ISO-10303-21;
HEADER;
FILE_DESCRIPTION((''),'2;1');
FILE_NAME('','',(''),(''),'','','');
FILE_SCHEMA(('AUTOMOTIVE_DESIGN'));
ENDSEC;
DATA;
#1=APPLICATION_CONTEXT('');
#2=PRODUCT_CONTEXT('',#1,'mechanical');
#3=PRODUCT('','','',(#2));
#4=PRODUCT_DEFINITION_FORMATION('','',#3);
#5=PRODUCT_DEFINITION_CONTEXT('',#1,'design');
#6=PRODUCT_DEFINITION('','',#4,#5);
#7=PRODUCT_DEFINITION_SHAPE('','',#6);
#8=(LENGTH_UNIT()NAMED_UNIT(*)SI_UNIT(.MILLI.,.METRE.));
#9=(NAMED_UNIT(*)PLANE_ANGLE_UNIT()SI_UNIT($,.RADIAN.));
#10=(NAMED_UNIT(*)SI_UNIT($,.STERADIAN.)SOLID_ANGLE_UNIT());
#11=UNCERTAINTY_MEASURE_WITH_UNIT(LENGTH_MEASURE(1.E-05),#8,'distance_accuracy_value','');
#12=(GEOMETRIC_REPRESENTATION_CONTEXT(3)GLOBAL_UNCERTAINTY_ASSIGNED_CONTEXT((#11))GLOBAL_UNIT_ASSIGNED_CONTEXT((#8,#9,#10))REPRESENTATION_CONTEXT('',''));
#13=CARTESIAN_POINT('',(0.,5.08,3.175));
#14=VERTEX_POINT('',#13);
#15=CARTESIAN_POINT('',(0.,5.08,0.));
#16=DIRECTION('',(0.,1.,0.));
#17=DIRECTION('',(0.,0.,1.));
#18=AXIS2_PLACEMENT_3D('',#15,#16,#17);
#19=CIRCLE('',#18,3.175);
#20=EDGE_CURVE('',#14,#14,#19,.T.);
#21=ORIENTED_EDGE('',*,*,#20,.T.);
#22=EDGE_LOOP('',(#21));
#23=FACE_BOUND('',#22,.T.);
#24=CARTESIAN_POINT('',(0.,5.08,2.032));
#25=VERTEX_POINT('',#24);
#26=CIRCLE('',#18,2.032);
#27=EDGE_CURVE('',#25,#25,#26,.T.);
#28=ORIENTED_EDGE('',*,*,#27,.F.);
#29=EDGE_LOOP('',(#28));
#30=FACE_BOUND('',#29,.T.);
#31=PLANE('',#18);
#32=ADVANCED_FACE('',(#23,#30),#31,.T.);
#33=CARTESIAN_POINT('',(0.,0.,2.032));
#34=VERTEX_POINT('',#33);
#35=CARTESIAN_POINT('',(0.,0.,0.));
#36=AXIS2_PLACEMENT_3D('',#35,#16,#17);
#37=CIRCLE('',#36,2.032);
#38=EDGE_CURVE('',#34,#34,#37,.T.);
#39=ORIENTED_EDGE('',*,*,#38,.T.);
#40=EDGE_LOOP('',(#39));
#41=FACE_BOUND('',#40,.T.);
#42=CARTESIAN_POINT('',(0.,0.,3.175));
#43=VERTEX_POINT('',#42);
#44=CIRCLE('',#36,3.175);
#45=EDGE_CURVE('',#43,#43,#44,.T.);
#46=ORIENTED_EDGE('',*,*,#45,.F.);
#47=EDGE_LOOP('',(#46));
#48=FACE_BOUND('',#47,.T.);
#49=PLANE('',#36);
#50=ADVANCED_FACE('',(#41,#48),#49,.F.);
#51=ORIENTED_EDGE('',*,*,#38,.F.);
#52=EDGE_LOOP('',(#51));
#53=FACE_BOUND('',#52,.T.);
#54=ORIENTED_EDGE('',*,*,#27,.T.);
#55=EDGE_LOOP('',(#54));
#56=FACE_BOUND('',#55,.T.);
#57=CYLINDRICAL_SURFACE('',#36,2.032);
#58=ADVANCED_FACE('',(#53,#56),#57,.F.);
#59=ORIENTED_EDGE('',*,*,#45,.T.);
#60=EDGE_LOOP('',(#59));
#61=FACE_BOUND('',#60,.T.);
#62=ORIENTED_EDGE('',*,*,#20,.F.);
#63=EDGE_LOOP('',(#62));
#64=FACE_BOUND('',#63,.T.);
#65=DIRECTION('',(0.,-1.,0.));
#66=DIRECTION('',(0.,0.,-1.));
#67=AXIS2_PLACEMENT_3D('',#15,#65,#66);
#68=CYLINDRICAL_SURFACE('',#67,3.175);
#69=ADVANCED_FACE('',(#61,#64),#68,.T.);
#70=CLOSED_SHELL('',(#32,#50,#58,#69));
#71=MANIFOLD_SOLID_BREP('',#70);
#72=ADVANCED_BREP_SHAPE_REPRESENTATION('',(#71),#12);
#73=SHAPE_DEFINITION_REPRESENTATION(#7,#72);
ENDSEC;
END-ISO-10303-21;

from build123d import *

# Parameters (mm, degrees)
SKETCH1_R           = 3.175
BOSS_EXTRUDE1_DEPTH = 5.08
SKETCH2_R           = 2.032
CUT_EXTRUDE1_DEPTH  = 7.77994469


with BuildPart() as part:
    # Sketch1 → Boss-Extrude1 (new body)
    with BuildSketch(Plane(origin=(0, 0, 0), x_dir=(1, 0, 0), z_dir=(0, 1, 0))):
        with Locations(Location((0, 0, 0), (0, 0, 270))):
            Circle(SKETCH1_R)
    extrude(amount=BOSS_EXTRUDE1_DEPTH)

    # Sketch2 → Cut-Extrude1 (cut, through all)
    with BuildSketch(Plane(origin=(0, 5.08, 0), x_dir=(1, 0, 0), z_dir=(0, 1, 0))):
        with Locations(Location((0, 0, 0), (0, 0, 270))):
            Circle(SKETCH2_R)
    extrude(amount=-CUT_EXTRUDE1_DEPTH, mode=Mode.SUBTRACT)


solid = part.part
